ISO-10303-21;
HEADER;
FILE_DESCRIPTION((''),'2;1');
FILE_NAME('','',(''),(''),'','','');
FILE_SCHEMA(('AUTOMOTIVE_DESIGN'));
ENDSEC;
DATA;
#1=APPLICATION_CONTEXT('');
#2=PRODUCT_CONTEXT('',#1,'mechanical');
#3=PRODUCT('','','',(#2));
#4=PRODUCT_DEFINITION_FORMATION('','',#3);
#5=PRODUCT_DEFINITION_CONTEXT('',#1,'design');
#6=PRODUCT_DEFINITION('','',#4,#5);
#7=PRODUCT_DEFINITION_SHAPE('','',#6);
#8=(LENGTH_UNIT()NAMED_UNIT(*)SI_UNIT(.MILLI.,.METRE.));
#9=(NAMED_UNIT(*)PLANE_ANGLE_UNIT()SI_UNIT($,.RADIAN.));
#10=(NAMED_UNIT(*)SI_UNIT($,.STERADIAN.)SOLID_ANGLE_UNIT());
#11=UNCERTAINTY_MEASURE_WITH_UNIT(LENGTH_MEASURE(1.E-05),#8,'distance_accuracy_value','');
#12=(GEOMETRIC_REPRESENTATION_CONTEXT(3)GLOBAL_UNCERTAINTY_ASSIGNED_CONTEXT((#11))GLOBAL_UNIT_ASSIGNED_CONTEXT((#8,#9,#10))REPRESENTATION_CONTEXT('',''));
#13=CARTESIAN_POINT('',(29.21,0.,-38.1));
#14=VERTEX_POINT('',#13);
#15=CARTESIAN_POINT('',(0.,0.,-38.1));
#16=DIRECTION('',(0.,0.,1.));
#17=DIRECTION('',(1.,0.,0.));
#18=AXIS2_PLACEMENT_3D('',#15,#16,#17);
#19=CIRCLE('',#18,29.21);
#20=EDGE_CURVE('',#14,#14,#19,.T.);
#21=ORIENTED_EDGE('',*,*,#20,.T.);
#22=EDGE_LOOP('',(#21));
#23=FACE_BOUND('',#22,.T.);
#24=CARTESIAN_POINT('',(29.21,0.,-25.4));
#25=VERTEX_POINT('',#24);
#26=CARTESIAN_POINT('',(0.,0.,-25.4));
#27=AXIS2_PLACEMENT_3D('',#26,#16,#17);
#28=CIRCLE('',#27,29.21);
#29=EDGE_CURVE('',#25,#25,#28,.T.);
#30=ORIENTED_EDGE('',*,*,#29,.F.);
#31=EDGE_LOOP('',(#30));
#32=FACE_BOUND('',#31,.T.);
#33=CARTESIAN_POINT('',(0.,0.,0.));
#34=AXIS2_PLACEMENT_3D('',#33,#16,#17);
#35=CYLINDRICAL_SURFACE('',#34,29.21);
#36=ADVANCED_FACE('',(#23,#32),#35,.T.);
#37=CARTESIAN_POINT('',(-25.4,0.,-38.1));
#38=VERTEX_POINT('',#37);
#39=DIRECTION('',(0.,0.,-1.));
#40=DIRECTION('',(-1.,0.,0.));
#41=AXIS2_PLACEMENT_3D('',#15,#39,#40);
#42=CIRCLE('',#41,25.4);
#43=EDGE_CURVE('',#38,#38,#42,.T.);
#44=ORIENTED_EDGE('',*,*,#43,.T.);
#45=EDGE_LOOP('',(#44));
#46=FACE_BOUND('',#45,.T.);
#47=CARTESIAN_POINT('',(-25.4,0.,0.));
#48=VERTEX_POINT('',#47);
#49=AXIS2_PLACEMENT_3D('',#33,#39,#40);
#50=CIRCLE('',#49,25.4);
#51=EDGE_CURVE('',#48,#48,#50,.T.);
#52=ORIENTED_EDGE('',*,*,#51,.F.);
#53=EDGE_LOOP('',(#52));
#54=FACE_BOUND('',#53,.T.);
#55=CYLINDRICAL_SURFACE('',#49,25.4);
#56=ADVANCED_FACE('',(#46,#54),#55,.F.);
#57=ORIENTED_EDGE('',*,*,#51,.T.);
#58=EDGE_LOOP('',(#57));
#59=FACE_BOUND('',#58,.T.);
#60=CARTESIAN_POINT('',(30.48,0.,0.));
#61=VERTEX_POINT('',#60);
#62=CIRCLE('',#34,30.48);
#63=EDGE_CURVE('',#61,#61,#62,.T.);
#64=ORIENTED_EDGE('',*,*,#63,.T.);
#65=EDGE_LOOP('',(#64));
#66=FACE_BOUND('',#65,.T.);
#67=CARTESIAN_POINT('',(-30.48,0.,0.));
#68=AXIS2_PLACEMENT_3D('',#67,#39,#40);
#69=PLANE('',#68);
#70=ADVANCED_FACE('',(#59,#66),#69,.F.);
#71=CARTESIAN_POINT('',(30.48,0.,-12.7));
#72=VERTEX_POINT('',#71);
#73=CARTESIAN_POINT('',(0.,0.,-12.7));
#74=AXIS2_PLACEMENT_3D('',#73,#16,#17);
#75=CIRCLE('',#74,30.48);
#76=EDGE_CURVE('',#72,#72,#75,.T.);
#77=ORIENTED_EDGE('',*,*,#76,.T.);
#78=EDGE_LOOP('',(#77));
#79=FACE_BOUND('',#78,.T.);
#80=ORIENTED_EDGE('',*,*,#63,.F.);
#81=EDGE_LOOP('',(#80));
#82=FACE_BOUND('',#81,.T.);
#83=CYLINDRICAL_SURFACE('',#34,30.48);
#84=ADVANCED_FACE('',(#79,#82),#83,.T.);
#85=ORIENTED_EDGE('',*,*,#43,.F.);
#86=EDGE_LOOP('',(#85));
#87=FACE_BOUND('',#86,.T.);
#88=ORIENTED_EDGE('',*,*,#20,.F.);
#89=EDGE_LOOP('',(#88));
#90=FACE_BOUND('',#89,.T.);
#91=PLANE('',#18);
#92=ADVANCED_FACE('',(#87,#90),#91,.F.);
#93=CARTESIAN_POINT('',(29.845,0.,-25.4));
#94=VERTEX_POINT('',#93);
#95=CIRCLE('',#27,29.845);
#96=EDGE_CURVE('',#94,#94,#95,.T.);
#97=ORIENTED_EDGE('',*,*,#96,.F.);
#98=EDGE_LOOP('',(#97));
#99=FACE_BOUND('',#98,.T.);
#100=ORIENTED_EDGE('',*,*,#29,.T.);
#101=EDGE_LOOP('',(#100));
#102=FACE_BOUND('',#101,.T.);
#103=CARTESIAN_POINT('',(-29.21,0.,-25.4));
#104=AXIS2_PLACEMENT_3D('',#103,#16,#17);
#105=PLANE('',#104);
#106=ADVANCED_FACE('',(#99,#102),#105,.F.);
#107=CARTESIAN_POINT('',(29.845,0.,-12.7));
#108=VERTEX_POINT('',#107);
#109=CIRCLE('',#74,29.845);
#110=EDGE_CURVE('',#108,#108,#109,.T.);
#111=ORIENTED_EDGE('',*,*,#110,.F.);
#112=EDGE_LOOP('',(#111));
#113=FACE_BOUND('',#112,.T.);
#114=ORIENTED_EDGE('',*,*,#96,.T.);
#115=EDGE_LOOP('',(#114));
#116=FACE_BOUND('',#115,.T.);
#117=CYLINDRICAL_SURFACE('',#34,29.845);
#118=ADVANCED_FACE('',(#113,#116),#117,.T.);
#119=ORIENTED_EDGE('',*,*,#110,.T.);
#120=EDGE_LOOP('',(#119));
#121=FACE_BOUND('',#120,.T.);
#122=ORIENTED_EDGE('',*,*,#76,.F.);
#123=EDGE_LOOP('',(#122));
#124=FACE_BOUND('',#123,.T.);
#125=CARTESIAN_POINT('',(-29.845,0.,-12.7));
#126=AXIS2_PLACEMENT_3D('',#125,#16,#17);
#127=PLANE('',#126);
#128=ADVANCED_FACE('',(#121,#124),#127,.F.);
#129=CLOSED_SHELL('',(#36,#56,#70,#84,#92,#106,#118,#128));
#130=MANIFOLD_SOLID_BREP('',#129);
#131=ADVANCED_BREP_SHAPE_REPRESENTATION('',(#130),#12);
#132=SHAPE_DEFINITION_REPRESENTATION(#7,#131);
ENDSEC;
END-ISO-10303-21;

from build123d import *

# Parameters (mm, degrees)
SKETCH3_R          = 25.4
CUT_EXTRUDE2_DEPTH = 58.529738397


with BuildPart() as part:
    # Sketch1 → Revolve1 (revolve)
    with BuildSketch(Plane(origin=(0, 0, 0), x_dir=(1, 0, 0), z_dir=(0, 1, 0)), mode=Mode.PRIVATE) as revolve1_sk:
        Polygon((0, 0), (0, 38.1), (-29.21, 38.1), (-29.21, 25.4), (-29.845, 25.4), (-29.845, 12.7), (-30.48, 12.7), (-30.48, 0), align=None)
    revolve(revolve1_sk.sketch.rotate(Axis((0, 0, 0), (0, 0, -1)), 180), axis=Axis((0, 0, 0), (0, 0, -1)))

    # Sketch3 → Cut-Extrude2 (cut, through all)
    with BuildSketch(Plane(origin=(0, 0, -38.1), x_dir=(-1, 0, 0), z_dir=(0, 0, -1))):
        Circle(SKETCH3_R)
    extrude(amount=-CUT_EXTRUDE2_DEPTH, mode=Mode.SUBTRACT)


solid = part.part
